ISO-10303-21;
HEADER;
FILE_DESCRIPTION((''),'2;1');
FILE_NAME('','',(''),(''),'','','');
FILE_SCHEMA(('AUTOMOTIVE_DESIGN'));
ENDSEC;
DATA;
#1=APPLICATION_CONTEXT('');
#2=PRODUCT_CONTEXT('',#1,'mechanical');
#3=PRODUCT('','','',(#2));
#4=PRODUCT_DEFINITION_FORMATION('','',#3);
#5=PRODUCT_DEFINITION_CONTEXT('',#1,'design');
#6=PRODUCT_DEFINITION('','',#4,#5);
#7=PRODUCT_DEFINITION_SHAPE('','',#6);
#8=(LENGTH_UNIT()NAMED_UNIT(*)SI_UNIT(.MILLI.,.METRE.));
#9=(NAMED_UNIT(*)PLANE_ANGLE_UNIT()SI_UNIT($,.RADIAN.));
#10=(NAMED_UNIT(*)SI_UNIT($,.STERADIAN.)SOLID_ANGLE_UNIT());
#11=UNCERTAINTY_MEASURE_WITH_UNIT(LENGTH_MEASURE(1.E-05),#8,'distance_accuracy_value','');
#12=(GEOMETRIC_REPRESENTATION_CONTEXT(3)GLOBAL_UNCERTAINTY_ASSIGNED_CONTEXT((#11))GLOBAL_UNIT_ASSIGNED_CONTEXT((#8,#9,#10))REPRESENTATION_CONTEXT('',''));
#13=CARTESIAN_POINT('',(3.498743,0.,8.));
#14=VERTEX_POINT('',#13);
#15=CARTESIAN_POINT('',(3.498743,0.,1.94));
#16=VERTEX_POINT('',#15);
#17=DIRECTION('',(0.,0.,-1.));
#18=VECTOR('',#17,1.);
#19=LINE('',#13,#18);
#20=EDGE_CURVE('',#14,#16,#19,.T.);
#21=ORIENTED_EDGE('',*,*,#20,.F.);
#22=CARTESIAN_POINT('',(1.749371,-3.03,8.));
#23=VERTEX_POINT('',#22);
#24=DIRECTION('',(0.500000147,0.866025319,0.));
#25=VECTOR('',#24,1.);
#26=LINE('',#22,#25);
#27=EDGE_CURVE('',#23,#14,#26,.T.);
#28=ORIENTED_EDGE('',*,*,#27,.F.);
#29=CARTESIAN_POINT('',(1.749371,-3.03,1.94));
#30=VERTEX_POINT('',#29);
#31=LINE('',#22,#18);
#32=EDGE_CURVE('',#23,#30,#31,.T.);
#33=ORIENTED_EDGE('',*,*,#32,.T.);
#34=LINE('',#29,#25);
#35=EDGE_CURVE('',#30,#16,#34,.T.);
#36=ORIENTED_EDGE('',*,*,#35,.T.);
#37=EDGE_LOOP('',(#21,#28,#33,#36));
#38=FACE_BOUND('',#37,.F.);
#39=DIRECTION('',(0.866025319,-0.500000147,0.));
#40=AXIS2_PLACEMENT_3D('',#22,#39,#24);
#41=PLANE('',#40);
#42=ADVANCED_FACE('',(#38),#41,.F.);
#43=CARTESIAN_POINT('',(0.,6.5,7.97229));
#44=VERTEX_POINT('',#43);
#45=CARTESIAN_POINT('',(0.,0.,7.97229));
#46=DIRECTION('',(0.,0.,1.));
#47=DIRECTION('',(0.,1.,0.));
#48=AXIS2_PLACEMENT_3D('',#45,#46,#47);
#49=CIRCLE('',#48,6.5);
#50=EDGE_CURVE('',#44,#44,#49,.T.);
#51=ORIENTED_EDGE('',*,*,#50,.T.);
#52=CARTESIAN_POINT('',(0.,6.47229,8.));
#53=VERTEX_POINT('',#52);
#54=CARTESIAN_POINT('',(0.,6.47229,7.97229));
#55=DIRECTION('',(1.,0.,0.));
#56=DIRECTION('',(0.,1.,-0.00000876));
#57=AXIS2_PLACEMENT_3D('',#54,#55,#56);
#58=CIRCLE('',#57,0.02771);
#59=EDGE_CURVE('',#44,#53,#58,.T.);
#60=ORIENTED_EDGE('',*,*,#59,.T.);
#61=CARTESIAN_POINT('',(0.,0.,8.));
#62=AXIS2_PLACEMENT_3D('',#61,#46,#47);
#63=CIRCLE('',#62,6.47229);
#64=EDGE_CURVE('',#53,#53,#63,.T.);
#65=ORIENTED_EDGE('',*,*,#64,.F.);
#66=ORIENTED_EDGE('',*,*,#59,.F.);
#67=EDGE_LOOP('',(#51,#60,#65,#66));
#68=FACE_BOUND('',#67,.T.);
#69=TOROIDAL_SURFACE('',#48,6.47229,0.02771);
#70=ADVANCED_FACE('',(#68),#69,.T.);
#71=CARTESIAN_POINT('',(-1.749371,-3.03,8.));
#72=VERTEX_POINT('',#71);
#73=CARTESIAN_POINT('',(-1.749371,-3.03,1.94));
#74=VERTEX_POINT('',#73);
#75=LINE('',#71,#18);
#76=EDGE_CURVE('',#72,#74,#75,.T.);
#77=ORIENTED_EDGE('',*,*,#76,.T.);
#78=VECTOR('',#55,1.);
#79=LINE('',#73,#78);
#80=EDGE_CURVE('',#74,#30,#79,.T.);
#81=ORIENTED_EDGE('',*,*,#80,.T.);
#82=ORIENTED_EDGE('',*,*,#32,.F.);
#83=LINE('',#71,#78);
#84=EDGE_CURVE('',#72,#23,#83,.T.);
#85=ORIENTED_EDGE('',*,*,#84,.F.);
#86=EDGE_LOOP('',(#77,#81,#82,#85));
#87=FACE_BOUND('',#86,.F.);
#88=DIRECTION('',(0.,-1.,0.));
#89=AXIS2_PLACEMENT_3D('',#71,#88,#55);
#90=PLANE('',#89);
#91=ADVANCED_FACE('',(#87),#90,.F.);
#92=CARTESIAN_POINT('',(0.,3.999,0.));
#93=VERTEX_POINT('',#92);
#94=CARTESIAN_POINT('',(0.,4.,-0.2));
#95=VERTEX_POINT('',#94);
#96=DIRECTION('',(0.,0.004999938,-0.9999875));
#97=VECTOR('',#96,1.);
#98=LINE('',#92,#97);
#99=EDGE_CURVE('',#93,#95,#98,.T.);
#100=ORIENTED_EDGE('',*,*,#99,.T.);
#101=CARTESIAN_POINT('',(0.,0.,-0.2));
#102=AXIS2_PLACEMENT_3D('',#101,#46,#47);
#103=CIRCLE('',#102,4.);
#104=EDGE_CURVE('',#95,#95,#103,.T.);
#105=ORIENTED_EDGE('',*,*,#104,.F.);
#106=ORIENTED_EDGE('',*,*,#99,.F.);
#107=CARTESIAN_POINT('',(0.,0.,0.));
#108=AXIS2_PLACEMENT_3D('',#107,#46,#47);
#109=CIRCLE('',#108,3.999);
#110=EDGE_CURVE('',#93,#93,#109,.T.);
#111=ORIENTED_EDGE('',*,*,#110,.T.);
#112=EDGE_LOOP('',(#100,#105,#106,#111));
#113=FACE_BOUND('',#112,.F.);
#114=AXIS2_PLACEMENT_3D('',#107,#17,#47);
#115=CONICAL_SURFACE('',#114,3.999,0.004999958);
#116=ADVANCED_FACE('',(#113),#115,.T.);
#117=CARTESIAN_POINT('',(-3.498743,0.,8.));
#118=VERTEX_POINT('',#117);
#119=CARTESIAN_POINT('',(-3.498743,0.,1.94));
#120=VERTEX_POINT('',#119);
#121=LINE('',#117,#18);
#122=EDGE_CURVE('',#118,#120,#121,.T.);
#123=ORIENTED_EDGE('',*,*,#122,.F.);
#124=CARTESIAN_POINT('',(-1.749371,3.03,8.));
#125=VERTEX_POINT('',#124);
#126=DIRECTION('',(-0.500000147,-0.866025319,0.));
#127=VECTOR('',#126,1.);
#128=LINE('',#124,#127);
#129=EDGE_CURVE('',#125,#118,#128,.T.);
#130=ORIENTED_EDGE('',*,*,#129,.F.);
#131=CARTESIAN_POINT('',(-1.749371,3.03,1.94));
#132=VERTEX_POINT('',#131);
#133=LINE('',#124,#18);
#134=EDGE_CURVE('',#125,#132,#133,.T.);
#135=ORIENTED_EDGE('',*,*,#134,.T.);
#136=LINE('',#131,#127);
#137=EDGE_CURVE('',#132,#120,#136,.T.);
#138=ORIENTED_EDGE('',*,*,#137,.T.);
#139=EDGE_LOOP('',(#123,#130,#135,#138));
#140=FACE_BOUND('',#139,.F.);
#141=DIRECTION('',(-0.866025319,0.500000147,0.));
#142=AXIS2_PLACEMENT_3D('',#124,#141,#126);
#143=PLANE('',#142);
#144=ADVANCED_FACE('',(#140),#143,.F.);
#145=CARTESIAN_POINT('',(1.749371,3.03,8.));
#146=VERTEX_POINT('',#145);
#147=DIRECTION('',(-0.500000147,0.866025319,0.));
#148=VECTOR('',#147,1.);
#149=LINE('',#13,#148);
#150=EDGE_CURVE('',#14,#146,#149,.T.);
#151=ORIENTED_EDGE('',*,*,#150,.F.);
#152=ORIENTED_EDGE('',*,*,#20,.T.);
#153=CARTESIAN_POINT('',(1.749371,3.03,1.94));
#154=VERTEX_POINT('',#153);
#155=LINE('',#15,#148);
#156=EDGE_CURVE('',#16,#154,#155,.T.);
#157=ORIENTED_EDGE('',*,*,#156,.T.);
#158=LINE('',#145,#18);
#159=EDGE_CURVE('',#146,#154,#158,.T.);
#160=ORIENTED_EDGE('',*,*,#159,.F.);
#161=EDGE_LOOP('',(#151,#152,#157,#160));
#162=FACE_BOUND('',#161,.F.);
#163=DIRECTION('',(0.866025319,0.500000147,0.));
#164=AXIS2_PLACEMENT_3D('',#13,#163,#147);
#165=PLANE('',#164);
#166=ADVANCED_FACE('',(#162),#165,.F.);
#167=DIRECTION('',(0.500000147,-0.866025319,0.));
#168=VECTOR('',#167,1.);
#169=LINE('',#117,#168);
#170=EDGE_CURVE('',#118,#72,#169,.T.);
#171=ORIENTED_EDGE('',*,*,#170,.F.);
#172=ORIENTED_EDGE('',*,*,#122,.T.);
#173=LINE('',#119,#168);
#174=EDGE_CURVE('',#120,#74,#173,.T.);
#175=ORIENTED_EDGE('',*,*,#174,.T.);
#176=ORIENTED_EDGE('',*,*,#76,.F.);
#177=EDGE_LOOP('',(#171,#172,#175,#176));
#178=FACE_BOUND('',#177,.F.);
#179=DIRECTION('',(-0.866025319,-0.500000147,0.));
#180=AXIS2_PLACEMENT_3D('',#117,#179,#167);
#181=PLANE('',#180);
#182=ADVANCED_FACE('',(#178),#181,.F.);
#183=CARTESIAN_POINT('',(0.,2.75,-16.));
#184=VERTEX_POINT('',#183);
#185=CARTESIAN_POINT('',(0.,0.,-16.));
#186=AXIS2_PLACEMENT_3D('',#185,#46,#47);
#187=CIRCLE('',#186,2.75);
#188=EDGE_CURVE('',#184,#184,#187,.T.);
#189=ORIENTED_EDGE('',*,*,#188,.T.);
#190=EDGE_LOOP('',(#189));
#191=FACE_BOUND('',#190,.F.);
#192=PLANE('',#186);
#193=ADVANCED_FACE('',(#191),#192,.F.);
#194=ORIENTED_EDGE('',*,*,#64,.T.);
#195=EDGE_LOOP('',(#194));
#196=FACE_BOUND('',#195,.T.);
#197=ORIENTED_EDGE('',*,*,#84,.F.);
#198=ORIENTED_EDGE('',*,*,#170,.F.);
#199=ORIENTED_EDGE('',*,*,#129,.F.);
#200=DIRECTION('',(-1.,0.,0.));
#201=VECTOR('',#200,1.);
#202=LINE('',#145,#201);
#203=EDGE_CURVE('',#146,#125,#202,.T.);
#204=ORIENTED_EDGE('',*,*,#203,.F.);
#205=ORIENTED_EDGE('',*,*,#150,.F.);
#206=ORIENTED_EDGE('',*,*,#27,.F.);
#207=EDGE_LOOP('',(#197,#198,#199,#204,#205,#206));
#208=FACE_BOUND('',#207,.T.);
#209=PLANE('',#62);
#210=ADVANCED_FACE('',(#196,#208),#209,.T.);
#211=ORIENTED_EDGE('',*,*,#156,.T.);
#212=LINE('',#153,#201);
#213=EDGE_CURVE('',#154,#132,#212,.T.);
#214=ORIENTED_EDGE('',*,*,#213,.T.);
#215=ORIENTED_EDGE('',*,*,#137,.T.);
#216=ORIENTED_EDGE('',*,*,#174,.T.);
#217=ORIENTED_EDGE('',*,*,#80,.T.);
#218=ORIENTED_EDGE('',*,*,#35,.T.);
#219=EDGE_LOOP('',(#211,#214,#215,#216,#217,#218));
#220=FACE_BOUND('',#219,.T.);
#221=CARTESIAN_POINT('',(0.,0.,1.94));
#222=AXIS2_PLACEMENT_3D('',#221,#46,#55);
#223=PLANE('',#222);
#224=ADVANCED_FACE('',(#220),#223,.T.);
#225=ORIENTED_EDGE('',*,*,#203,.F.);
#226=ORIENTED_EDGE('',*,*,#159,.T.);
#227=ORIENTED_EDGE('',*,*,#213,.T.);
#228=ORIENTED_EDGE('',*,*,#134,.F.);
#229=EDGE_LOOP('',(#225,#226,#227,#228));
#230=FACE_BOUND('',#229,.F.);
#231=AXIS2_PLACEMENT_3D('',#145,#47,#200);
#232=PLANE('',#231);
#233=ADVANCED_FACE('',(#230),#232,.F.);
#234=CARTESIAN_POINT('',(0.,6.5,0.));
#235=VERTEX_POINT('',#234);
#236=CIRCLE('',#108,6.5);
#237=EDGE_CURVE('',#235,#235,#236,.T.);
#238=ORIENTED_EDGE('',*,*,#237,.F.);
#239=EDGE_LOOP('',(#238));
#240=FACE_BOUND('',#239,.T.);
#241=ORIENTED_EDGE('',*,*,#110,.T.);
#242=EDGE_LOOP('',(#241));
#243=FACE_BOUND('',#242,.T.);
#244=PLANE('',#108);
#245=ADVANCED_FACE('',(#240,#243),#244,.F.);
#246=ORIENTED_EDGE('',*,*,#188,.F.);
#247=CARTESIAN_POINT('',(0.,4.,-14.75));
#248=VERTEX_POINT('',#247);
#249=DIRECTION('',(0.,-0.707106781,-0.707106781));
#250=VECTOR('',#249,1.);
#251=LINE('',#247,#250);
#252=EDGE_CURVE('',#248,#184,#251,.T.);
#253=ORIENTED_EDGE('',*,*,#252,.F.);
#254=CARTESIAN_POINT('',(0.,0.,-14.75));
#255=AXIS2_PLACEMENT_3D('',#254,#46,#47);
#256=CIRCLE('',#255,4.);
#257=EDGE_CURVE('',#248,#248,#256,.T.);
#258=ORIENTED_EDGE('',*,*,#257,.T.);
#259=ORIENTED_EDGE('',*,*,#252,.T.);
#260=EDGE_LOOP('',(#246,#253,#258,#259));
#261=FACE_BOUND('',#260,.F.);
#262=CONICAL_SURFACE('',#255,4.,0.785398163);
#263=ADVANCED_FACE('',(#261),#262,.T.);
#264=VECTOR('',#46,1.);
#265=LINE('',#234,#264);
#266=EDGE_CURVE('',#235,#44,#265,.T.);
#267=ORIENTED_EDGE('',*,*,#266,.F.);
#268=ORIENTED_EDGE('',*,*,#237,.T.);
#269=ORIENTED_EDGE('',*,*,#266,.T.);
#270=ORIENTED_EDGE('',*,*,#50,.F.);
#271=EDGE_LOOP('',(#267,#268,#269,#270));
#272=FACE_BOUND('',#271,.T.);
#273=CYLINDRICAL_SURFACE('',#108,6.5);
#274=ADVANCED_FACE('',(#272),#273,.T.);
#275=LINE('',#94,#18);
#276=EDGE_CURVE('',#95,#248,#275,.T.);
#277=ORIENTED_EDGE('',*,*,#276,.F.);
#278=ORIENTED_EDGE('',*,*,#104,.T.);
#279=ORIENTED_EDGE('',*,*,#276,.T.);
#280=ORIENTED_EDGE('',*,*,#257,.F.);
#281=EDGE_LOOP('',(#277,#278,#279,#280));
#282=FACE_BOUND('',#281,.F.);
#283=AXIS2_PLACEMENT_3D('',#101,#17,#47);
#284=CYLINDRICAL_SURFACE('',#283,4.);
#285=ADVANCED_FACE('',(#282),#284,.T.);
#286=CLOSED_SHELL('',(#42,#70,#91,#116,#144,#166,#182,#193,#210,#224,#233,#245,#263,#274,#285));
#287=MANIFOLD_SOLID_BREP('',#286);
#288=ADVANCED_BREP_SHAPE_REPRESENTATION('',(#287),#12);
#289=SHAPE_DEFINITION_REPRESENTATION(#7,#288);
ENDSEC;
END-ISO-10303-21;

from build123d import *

# Parameters (mm, degrees)
POCKET_DEPTH = 6.06


with BuildPart() as part:
    # Sketch → Revolve (revolve)
    with BuildSketch(Plane.YZ):
        with BuildLine():
            Line((3.999, 0), (6.5, 0))
            Line((6.5, 0), (6.5, 7.97229))
            ThreePointArc((6.5, 7.97229), (6.491884, 7.991884), (6.47229, 8))
            Line((6.47229, 8), (0, 8))
            Line((0, -16), (0, 8))
            Line((2.75, -16), (0, -16))
            Line((4, -14.75), (2.75, -16))
            Line((4, -0.2), (4, -14.75))
            Line((3.999, 0), (4, -0.2))
        make_face()
    revolve(axis=Axis((0, 0, 0), (0, 0, 1)))

    # Sketch001 → Pocket (cut)
    with BuildSketch(Plane.XY.offset(8)):
        Polygon((3.498743, 0), (1.749371, 3.03), (-1.749371, 3.03), (-3.498743, 0), (-1.749371, -3.03), (1.749371, -3.03), align=None)
    extrude(amount=-POCKET_DEPTH, mode=Mode.SUBTRACT)


solid = part.part
